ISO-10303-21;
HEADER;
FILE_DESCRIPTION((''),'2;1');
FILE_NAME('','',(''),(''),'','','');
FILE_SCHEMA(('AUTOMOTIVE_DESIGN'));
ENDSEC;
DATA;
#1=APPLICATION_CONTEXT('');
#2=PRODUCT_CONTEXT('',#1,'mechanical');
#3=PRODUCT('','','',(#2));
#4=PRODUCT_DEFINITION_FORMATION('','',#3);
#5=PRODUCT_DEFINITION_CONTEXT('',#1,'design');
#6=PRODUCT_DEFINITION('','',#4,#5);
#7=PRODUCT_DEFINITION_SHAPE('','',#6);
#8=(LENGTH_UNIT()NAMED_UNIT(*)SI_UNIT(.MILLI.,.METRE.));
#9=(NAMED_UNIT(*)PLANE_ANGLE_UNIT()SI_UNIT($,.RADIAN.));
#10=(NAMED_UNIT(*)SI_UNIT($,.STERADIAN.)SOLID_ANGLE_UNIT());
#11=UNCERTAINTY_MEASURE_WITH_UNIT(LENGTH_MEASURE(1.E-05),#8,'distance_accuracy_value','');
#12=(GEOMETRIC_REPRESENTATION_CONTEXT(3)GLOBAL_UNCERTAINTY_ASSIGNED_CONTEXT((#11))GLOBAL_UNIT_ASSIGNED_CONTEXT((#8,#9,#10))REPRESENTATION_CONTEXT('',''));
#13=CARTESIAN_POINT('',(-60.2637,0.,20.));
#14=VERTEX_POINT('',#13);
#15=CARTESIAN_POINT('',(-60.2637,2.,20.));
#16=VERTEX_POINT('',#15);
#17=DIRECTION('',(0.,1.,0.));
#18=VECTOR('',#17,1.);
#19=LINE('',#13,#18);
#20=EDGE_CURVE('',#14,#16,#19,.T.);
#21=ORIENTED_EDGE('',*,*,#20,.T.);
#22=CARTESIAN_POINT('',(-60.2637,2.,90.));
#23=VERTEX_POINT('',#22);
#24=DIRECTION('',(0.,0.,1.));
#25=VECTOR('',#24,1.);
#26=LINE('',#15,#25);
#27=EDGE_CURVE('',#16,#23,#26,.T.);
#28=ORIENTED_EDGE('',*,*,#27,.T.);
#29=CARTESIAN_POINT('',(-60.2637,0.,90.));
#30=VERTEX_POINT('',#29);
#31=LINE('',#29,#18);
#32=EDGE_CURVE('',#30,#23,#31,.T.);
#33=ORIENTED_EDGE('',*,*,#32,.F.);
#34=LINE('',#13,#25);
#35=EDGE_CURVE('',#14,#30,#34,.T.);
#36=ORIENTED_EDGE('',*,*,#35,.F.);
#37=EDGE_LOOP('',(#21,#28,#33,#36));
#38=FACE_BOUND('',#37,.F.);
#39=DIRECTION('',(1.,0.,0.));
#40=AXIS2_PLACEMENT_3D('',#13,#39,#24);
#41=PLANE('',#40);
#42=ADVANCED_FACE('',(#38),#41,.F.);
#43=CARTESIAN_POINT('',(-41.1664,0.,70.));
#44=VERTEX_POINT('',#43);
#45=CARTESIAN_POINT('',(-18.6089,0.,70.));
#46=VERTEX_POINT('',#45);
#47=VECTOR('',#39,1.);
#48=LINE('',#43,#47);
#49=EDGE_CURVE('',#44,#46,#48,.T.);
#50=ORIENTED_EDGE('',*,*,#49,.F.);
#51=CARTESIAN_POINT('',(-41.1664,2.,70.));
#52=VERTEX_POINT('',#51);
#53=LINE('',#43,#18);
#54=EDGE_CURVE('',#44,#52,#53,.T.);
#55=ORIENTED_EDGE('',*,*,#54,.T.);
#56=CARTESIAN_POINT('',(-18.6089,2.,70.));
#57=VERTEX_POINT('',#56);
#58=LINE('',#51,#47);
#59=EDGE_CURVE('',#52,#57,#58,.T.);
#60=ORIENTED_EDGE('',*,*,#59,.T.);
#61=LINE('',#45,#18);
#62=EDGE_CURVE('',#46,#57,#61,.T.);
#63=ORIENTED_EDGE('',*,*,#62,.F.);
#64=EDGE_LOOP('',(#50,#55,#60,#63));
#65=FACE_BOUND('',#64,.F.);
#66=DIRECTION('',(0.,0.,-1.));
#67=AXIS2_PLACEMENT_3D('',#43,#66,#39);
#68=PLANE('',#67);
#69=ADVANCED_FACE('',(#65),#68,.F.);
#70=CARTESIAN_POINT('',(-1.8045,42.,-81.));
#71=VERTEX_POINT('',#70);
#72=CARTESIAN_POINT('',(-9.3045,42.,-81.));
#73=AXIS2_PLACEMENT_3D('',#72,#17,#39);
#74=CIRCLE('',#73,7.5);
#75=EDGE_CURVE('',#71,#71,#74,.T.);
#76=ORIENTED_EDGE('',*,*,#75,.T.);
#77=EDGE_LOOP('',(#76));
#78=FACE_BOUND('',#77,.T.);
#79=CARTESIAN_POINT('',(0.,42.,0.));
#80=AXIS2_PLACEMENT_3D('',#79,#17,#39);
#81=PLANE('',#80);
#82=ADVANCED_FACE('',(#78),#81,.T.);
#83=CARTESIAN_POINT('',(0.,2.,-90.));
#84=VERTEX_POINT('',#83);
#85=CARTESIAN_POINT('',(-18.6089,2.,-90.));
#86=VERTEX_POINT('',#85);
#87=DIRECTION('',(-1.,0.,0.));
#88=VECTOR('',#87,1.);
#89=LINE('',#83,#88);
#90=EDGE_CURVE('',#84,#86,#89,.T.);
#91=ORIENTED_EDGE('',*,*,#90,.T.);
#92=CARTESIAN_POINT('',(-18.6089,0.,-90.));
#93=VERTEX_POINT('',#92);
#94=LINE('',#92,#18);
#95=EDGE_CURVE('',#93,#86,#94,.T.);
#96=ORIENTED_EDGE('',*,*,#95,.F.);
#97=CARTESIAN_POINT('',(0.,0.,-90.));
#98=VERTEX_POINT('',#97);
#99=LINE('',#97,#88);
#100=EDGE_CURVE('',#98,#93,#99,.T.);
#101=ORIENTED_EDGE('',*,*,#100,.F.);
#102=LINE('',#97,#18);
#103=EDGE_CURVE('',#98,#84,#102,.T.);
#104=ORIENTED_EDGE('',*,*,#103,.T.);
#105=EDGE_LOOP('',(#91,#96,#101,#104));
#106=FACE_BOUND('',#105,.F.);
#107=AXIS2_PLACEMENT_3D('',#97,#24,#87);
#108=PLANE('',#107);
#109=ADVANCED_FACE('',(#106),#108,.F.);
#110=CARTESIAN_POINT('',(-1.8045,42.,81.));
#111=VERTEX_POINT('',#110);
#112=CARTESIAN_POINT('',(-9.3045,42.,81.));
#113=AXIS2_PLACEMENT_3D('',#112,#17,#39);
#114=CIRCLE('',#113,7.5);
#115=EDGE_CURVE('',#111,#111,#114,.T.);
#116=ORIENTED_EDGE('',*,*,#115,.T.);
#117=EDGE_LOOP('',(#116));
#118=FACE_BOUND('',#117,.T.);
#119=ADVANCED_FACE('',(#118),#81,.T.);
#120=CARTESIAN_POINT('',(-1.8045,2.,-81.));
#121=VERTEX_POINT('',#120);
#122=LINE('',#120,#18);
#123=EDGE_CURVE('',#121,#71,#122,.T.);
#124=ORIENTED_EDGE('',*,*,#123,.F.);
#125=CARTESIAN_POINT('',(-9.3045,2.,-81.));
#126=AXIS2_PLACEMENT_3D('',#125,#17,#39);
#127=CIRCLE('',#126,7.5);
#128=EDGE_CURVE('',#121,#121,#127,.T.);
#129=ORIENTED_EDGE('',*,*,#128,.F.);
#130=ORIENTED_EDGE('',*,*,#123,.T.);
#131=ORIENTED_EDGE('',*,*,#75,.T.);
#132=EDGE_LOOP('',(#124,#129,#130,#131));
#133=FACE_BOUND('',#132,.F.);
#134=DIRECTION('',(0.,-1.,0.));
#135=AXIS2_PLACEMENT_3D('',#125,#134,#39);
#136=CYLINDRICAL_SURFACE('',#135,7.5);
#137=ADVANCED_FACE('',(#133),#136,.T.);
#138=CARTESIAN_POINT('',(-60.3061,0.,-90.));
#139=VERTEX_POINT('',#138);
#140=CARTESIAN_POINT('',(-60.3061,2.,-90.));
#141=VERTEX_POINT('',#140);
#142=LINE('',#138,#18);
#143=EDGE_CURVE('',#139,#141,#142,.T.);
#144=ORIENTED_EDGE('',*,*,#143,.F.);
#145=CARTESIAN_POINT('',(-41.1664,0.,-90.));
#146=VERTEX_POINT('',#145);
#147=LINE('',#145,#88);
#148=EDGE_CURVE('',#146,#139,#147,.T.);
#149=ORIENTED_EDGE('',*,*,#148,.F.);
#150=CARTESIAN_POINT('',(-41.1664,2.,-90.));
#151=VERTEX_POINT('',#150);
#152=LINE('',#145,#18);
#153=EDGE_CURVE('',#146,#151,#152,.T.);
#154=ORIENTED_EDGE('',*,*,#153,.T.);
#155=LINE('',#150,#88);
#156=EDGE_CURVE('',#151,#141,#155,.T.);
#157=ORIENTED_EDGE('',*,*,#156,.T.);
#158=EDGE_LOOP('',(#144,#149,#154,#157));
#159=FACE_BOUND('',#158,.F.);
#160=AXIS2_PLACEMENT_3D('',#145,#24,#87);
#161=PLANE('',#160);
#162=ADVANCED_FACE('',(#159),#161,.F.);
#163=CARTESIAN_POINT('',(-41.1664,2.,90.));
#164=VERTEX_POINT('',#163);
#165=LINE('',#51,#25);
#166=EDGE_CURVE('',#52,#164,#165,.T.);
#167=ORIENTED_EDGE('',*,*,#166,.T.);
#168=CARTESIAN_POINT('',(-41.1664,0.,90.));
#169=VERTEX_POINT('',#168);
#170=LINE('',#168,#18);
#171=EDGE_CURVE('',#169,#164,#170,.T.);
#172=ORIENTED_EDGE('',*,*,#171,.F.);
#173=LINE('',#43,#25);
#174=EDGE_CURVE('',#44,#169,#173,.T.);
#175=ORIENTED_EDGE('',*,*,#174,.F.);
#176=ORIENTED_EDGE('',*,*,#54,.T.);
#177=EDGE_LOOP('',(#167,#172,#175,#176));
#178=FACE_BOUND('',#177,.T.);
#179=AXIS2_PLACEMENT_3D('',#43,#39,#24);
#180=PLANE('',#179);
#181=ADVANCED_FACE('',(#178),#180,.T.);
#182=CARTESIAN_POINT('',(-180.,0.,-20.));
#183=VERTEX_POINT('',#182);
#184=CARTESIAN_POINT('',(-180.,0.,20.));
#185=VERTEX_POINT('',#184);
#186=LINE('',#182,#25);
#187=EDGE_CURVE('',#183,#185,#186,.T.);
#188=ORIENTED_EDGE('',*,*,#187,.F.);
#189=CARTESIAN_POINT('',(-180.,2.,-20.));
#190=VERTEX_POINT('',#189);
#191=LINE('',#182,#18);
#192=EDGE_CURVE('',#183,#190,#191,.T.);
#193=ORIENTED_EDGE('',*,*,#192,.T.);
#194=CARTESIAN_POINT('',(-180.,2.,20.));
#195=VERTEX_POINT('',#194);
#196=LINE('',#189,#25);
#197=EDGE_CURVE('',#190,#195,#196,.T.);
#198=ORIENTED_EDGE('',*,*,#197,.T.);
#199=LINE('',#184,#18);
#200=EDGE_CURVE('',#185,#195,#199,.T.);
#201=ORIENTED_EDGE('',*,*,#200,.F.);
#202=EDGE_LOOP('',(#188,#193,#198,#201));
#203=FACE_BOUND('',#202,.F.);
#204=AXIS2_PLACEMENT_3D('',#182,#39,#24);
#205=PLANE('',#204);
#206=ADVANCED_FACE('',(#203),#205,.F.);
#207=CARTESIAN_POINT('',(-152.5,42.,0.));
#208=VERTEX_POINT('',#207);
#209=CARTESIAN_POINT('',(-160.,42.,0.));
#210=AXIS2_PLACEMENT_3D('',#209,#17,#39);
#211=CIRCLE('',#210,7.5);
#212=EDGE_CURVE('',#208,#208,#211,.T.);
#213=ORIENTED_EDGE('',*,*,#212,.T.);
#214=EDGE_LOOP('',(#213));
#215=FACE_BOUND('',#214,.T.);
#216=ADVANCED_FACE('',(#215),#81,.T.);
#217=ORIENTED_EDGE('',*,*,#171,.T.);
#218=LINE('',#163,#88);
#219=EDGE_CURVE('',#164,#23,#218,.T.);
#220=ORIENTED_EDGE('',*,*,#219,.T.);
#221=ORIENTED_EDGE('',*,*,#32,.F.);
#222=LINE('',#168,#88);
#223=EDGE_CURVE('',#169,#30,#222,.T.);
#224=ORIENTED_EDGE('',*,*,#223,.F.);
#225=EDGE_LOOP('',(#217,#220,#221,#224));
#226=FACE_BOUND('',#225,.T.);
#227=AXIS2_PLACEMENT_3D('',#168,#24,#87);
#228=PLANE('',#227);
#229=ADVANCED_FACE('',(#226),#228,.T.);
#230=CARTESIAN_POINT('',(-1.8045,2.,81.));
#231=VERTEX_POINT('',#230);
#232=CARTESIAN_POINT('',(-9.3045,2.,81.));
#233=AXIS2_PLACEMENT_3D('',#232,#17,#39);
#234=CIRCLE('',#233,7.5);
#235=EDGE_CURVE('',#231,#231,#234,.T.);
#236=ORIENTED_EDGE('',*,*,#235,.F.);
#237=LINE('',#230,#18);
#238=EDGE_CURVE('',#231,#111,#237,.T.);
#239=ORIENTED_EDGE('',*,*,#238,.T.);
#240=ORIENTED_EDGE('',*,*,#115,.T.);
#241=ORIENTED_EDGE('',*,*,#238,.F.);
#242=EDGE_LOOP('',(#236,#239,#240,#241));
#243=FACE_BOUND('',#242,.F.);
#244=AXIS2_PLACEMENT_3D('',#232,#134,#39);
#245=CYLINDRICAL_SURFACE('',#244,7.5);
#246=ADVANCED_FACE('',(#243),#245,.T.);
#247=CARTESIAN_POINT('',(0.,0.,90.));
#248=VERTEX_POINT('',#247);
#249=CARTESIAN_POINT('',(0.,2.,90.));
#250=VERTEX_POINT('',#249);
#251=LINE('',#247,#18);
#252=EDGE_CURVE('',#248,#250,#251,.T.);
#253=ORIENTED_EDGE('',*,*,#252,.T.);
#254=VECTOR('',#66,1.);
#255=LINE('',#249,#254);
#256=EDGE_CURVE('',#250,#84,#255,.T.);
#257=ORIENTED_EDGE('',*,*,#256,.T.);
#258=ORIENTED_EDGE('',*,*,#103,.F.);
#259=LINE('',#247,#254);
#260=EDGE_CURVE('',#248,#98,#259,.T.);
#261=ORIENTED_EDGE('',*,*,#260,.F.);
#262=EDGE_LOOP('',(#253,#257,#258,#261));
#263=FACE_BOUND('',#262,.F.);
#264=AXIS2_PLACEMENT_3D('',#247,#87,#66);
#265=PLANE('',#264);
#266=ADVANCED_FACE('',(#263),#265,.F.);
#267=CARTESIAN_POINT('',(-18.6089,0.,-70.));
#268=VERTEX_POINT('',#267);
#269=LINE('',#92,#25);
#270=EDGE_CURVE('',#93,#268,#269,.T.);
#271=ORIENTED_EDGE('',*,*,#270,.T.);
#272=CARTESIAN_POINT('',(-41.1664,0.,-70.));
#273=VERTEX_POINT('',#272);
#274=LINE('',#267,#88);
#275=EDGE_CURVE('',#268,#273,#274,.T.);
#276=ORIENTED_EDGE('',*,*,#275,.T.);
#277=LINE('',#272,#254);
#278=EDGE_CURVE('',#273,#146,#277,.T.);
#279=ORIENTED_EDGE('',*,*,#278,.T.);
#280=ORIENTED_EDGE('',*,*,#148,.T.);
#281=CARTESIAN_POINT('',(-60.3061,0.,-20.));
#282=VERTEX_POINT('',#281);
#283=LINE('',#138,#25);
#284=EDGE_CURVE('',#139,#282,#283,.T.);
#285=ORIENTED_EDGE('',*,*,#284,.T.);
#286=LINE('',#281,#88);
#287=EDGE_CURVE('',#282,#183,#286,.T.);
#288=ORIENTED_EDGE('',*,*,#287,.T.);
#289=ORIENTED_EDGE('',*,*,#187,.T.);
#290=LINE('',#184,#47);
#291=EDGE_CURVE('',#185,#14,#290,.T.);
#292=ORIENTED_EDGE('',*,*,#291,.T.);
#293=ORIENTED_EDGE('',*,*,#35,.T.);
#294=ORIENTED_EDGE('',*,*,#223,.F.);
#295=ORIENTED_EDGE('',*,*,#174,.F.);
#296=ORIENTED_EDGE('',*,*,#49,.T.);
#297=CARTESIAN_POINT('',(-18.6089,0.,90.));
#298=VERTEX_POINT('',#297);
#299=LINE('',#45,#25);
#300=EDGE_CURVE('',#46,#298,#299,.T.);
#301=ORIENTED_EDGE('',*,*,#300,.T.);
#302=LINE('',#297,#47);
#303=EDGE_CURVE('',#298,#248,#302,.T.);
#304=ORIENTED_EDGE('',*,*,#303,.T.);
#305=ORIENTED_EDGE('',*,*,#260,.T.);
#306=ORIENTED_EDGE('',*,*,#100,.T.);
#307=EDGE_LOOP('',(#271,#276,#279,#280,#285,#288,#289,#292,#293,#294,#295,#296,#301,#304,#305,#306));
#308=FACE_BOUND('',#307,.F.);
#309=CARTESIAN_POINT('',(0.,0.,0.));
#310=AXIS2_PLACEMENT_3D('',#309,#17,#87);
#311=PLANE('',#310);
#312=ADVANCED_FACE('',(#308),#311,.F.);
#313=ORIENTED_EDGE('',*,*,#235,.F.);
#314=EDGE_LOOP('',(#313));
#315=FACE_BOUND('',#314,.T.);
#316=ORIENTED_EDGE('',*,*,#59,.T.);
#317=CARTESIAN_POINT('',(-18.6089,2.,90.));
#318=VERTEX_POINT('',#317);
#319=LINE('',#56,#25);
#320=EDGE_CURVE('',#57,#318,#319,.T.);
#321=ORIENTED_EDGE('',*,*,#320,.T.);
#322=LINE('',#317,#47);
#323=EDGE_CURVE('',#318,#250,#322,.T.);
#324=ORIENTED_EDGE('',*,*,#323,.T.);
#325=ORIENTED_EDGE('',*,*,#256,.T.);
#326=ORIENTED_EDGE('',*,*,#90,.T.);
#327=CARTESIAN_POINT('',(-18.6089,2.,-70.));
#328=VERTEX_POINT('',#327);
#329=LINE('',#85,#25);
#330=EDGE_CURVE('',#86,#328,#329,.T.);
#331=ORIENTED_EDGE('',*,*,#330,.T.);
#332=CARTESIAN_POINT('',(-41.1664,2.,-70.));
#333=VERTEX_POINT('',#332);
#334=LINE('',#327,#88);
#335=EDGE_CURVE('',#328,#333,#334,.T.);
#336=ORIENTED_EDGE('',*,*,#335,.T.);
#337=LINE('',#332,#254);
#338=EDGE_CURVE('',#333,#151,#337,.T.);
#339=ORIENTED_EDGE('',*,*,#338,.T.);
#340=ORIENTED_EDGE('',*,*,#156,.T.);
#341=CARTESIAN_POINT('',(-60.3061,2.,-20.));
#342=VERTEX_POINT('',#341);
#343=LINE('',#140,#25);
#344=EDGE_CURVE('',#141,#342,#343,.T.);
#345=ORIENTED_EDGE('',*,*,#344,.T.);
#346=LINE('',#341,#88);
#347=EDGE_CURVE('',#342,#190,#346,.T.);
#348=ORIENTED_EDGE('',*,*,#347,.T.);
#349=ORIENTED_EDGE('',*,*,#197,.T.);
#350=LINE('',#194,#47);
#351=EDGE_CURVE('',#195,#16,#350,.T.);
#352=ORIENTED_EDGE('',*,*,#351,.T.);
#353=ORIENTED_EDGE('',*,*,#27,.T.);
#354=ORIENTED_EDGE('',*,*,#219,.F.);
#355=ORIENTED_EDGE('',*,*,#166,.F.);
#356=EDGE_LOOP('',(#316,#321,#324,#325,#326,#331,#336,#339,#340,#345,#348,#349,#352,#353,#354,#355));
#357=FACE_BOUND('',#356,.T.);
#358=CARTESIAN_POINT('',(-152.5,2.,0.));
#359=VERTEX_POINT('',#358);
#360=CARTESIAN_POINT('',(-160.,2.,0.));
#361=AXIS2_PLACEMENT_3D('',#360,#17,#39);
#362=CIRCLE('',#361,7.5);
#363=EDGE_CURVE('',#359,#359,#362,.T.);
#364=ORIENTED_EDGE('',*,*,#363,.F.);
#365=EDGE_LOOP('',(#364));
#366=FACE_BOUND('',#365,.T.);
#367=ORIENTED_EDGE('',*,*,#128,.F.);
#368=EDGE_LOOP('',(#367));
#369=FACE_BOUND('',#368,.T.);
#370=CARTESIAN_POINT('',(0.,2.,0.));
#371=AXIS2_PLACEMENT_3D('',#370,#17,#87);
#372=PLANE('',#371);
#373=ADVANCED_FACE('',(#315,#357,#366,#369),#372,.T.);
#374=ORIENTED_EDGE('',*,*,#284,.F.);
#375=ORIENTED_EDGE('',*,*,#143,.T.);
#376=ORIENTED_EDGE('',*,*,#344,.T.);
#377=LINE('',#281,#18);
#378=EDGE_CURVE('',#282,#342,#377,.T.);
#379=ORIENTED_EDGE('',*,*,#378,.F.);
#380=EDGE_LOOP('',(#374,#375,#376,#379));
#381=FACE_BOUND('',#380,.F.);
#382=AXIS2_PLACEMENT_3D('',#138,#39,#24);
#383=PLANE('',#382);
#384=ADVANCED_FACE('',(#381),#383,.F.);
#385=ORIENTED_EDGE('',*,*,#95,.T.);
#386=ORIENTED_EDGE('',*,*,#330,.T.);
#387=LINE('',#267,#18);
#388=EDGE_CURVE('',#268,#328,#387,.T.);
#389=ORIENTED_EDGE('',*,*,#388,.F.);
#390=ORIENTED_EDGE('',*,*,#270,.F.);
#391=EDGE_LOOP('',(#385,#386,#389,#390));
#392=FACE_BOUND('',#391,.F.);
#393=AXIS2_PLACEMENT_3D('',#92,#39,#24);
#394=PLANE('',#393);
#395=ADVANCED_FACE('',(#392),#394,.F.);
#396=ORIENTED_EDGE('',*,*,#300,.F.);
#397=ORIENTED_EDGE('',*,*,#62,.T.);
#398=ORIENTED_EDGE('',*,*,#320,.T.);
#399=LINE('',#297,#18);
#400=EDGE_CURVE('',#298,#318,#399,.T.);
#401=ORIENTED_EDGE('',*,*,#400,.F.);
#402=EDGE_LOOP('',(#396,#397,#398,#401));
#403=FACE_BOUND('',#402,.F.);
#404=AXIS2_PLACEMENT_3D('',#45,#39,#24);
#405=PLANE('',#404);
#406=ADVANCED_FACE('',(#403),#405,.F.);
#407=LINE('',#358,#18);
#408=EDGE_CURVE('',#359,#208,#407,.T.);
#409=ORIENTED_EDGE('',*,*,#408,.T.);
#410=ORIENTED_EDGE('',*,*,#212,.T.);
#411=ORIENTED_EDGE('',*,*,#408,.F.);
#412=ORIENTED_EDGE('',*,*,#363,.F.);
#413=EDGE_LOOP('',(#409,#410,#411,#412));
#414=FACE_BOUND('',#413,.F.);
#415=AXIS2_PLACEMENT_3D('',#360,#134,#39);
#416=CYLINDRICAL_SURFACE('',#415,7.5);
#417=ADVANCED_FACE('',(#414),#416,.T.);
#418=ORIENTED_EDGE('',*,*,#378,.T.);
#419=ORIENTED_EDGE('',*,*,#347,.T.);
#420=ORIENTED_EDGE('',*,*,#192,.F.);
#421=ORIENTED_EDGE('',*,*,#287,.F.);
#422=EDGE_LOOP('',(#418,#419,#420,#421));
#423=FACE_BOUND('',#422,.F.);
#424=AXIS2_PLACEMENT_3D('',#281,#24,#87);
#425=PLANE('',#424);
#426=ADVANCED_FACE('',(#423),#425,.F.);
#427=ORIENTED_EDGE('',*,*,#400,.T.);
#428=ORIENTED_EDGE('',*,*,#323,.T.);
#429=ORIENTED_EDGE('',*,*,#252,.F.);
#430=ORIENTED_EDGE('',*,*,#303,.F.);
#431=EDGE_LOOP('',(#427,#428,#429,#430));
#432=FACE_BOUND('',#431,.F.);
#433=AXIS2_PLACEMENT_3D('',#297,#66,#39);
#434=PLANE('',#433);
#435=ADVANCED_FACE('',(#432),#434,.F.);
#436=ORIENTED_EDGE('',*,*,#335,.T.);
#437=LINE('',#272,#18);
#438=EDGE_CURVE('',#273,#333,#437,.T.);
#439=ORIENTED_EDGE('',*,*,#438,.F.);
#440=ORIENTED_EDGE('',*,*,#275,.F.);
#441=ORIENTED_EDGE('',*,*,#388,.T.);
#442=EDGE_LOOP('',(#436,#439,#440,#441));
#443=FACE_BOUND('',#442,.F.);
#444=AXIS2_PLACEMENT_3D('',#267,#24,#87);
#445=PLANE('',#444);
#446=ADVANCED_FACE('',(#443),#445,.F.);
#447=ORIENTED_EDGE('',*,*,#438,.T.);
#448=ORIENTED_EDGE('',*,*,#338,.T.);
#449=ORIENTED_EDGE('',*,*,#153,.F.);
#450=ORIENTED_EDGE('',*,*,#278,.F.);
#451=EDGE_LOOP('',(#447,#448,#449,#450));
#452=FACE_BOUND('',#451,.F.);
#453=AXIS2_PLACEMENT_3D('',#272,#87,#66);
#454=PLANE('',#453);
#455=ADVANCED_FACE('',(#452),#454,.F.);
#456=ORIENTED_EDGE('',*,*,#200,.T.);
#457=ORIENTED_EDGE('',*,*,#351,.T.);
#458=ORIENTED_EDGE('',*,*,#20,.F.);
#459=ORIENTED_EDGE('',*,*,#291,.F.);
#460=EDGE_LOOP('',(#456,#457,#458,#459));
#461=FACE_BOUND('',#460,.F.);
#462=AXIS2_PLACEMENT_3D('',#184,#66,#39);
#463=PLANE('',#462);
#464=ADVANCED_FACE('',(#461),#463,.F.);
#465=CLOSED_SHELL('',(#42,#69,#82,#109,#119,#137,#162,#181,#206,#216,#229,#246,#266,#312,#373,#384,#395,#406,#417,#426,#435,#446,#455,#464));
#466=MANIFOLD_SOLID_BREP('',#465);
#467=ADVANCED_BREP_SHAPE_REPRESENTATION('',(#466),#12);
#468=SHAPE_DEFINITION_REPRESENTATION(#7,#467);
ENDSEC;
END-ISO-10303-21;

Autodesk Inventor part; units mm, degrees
ref_plane "YZ Plane" through (0, 0, 0) normal (1, 0, 0) x (0, 1, 0)
ref_plane "XZ Plane" through (0, 0, 0) normal (0, 1, 0) x (-1, 0, 0)
ref_plane "XY Plane" through (0, 0, 0) normal (0, 0, 1) x (1, 0, 0)
sketch "Sketch1" plane through (0, 0, 0) normal (0, 1, 0) x (-1, 0, 0)
  line L0 (0, 90) -> (0, -90)
  line L1 (0, -90) -> (18.6089, -90)
  line L2 (18.6089, -90) -> (18.6089, -70)
  line L3 (18.6089, -70) -> (41.1664, -70)
  line L4 (41.1664, -70) -> (41.1664, -90)
  line L5 (41.1664, -90) -> (60.3061, -90)
  line L6 (60.3061, -90) -> (60.3061, -20)
  line L7 (60.3061, -20) -> (180, -20)
  line L8 (180, -20) -> (180, 20)
  line L9 (41.1664, 70) -> (18.6089, 70)
  line L10 (18.6089, 70) -> (18.6089, 90)
  line L11 (18.6089, 90) -> (0, 90)
  line L12 (180, 20) -> (60.2637, 20)
  line L13 (60.2637, 20) -> (60.2637, 90)
  line L14 (41.1664, 70) -> (41.1664, 90)
  line L15 (41.1664, 90) -> (60.2637, 90)
  point P0 (0, 0)
  dimension "d0" = 180
  dimension "d1" = 180
  dimension "d3" = 20
  dimension "d4" = 20
  dimension "d5" = 20
  dimension "d6" = 20
  dimension "d7" = 40
  dimension "d8" = 70
  dimension "d9" = 70
  dimension "d10" = 90
extrude "Extrusion1" add sketch "Sketch1" along normal blind 2
sketch "Sketch2" plane through (0, 2, 0) normal (0, 1, 0) x (1, 0, 0)
  circle A0 centre (-160, 0) radius 7.5
  circle A1 centre (-9.3045, -81) radius 7.5
  circle A2 centre (-9.3045, 81) radius 7.5
  line L0 (0, 90) -> (-18.6089, 90) projected
  line L1 (0, -90) -> (0, 90) projected
  line L2 (-18.6089, -90) -> (0, -90) projected
  line L3 (-180, 20) -> (-180, -20) projected
  point P0 (0, 0)
  dimension "d13" = 15
  dimension "d14" = 15
  dimension "d15" = 15
  dimension "d16" = 9
  dimension "d17" = 9.3045
  dimension "d18" = 9
  dimension "d19" = 9.3045
  dimension "d20" = 20
extrude "Extrusion2" add sketch "Sketch2" along normal blind 40
equation "\"d4\" = d3"
equation "\"d5\" = d4"
equation "\"d6\" = d3"
equation "\"d9\" = d8"
equation "\"d14\" = d13"
equation "\"d15\" = d13"
equation "\"d18\" = d16"
equation "\"d19\" = d17"
properties part number "bottenplatta"
